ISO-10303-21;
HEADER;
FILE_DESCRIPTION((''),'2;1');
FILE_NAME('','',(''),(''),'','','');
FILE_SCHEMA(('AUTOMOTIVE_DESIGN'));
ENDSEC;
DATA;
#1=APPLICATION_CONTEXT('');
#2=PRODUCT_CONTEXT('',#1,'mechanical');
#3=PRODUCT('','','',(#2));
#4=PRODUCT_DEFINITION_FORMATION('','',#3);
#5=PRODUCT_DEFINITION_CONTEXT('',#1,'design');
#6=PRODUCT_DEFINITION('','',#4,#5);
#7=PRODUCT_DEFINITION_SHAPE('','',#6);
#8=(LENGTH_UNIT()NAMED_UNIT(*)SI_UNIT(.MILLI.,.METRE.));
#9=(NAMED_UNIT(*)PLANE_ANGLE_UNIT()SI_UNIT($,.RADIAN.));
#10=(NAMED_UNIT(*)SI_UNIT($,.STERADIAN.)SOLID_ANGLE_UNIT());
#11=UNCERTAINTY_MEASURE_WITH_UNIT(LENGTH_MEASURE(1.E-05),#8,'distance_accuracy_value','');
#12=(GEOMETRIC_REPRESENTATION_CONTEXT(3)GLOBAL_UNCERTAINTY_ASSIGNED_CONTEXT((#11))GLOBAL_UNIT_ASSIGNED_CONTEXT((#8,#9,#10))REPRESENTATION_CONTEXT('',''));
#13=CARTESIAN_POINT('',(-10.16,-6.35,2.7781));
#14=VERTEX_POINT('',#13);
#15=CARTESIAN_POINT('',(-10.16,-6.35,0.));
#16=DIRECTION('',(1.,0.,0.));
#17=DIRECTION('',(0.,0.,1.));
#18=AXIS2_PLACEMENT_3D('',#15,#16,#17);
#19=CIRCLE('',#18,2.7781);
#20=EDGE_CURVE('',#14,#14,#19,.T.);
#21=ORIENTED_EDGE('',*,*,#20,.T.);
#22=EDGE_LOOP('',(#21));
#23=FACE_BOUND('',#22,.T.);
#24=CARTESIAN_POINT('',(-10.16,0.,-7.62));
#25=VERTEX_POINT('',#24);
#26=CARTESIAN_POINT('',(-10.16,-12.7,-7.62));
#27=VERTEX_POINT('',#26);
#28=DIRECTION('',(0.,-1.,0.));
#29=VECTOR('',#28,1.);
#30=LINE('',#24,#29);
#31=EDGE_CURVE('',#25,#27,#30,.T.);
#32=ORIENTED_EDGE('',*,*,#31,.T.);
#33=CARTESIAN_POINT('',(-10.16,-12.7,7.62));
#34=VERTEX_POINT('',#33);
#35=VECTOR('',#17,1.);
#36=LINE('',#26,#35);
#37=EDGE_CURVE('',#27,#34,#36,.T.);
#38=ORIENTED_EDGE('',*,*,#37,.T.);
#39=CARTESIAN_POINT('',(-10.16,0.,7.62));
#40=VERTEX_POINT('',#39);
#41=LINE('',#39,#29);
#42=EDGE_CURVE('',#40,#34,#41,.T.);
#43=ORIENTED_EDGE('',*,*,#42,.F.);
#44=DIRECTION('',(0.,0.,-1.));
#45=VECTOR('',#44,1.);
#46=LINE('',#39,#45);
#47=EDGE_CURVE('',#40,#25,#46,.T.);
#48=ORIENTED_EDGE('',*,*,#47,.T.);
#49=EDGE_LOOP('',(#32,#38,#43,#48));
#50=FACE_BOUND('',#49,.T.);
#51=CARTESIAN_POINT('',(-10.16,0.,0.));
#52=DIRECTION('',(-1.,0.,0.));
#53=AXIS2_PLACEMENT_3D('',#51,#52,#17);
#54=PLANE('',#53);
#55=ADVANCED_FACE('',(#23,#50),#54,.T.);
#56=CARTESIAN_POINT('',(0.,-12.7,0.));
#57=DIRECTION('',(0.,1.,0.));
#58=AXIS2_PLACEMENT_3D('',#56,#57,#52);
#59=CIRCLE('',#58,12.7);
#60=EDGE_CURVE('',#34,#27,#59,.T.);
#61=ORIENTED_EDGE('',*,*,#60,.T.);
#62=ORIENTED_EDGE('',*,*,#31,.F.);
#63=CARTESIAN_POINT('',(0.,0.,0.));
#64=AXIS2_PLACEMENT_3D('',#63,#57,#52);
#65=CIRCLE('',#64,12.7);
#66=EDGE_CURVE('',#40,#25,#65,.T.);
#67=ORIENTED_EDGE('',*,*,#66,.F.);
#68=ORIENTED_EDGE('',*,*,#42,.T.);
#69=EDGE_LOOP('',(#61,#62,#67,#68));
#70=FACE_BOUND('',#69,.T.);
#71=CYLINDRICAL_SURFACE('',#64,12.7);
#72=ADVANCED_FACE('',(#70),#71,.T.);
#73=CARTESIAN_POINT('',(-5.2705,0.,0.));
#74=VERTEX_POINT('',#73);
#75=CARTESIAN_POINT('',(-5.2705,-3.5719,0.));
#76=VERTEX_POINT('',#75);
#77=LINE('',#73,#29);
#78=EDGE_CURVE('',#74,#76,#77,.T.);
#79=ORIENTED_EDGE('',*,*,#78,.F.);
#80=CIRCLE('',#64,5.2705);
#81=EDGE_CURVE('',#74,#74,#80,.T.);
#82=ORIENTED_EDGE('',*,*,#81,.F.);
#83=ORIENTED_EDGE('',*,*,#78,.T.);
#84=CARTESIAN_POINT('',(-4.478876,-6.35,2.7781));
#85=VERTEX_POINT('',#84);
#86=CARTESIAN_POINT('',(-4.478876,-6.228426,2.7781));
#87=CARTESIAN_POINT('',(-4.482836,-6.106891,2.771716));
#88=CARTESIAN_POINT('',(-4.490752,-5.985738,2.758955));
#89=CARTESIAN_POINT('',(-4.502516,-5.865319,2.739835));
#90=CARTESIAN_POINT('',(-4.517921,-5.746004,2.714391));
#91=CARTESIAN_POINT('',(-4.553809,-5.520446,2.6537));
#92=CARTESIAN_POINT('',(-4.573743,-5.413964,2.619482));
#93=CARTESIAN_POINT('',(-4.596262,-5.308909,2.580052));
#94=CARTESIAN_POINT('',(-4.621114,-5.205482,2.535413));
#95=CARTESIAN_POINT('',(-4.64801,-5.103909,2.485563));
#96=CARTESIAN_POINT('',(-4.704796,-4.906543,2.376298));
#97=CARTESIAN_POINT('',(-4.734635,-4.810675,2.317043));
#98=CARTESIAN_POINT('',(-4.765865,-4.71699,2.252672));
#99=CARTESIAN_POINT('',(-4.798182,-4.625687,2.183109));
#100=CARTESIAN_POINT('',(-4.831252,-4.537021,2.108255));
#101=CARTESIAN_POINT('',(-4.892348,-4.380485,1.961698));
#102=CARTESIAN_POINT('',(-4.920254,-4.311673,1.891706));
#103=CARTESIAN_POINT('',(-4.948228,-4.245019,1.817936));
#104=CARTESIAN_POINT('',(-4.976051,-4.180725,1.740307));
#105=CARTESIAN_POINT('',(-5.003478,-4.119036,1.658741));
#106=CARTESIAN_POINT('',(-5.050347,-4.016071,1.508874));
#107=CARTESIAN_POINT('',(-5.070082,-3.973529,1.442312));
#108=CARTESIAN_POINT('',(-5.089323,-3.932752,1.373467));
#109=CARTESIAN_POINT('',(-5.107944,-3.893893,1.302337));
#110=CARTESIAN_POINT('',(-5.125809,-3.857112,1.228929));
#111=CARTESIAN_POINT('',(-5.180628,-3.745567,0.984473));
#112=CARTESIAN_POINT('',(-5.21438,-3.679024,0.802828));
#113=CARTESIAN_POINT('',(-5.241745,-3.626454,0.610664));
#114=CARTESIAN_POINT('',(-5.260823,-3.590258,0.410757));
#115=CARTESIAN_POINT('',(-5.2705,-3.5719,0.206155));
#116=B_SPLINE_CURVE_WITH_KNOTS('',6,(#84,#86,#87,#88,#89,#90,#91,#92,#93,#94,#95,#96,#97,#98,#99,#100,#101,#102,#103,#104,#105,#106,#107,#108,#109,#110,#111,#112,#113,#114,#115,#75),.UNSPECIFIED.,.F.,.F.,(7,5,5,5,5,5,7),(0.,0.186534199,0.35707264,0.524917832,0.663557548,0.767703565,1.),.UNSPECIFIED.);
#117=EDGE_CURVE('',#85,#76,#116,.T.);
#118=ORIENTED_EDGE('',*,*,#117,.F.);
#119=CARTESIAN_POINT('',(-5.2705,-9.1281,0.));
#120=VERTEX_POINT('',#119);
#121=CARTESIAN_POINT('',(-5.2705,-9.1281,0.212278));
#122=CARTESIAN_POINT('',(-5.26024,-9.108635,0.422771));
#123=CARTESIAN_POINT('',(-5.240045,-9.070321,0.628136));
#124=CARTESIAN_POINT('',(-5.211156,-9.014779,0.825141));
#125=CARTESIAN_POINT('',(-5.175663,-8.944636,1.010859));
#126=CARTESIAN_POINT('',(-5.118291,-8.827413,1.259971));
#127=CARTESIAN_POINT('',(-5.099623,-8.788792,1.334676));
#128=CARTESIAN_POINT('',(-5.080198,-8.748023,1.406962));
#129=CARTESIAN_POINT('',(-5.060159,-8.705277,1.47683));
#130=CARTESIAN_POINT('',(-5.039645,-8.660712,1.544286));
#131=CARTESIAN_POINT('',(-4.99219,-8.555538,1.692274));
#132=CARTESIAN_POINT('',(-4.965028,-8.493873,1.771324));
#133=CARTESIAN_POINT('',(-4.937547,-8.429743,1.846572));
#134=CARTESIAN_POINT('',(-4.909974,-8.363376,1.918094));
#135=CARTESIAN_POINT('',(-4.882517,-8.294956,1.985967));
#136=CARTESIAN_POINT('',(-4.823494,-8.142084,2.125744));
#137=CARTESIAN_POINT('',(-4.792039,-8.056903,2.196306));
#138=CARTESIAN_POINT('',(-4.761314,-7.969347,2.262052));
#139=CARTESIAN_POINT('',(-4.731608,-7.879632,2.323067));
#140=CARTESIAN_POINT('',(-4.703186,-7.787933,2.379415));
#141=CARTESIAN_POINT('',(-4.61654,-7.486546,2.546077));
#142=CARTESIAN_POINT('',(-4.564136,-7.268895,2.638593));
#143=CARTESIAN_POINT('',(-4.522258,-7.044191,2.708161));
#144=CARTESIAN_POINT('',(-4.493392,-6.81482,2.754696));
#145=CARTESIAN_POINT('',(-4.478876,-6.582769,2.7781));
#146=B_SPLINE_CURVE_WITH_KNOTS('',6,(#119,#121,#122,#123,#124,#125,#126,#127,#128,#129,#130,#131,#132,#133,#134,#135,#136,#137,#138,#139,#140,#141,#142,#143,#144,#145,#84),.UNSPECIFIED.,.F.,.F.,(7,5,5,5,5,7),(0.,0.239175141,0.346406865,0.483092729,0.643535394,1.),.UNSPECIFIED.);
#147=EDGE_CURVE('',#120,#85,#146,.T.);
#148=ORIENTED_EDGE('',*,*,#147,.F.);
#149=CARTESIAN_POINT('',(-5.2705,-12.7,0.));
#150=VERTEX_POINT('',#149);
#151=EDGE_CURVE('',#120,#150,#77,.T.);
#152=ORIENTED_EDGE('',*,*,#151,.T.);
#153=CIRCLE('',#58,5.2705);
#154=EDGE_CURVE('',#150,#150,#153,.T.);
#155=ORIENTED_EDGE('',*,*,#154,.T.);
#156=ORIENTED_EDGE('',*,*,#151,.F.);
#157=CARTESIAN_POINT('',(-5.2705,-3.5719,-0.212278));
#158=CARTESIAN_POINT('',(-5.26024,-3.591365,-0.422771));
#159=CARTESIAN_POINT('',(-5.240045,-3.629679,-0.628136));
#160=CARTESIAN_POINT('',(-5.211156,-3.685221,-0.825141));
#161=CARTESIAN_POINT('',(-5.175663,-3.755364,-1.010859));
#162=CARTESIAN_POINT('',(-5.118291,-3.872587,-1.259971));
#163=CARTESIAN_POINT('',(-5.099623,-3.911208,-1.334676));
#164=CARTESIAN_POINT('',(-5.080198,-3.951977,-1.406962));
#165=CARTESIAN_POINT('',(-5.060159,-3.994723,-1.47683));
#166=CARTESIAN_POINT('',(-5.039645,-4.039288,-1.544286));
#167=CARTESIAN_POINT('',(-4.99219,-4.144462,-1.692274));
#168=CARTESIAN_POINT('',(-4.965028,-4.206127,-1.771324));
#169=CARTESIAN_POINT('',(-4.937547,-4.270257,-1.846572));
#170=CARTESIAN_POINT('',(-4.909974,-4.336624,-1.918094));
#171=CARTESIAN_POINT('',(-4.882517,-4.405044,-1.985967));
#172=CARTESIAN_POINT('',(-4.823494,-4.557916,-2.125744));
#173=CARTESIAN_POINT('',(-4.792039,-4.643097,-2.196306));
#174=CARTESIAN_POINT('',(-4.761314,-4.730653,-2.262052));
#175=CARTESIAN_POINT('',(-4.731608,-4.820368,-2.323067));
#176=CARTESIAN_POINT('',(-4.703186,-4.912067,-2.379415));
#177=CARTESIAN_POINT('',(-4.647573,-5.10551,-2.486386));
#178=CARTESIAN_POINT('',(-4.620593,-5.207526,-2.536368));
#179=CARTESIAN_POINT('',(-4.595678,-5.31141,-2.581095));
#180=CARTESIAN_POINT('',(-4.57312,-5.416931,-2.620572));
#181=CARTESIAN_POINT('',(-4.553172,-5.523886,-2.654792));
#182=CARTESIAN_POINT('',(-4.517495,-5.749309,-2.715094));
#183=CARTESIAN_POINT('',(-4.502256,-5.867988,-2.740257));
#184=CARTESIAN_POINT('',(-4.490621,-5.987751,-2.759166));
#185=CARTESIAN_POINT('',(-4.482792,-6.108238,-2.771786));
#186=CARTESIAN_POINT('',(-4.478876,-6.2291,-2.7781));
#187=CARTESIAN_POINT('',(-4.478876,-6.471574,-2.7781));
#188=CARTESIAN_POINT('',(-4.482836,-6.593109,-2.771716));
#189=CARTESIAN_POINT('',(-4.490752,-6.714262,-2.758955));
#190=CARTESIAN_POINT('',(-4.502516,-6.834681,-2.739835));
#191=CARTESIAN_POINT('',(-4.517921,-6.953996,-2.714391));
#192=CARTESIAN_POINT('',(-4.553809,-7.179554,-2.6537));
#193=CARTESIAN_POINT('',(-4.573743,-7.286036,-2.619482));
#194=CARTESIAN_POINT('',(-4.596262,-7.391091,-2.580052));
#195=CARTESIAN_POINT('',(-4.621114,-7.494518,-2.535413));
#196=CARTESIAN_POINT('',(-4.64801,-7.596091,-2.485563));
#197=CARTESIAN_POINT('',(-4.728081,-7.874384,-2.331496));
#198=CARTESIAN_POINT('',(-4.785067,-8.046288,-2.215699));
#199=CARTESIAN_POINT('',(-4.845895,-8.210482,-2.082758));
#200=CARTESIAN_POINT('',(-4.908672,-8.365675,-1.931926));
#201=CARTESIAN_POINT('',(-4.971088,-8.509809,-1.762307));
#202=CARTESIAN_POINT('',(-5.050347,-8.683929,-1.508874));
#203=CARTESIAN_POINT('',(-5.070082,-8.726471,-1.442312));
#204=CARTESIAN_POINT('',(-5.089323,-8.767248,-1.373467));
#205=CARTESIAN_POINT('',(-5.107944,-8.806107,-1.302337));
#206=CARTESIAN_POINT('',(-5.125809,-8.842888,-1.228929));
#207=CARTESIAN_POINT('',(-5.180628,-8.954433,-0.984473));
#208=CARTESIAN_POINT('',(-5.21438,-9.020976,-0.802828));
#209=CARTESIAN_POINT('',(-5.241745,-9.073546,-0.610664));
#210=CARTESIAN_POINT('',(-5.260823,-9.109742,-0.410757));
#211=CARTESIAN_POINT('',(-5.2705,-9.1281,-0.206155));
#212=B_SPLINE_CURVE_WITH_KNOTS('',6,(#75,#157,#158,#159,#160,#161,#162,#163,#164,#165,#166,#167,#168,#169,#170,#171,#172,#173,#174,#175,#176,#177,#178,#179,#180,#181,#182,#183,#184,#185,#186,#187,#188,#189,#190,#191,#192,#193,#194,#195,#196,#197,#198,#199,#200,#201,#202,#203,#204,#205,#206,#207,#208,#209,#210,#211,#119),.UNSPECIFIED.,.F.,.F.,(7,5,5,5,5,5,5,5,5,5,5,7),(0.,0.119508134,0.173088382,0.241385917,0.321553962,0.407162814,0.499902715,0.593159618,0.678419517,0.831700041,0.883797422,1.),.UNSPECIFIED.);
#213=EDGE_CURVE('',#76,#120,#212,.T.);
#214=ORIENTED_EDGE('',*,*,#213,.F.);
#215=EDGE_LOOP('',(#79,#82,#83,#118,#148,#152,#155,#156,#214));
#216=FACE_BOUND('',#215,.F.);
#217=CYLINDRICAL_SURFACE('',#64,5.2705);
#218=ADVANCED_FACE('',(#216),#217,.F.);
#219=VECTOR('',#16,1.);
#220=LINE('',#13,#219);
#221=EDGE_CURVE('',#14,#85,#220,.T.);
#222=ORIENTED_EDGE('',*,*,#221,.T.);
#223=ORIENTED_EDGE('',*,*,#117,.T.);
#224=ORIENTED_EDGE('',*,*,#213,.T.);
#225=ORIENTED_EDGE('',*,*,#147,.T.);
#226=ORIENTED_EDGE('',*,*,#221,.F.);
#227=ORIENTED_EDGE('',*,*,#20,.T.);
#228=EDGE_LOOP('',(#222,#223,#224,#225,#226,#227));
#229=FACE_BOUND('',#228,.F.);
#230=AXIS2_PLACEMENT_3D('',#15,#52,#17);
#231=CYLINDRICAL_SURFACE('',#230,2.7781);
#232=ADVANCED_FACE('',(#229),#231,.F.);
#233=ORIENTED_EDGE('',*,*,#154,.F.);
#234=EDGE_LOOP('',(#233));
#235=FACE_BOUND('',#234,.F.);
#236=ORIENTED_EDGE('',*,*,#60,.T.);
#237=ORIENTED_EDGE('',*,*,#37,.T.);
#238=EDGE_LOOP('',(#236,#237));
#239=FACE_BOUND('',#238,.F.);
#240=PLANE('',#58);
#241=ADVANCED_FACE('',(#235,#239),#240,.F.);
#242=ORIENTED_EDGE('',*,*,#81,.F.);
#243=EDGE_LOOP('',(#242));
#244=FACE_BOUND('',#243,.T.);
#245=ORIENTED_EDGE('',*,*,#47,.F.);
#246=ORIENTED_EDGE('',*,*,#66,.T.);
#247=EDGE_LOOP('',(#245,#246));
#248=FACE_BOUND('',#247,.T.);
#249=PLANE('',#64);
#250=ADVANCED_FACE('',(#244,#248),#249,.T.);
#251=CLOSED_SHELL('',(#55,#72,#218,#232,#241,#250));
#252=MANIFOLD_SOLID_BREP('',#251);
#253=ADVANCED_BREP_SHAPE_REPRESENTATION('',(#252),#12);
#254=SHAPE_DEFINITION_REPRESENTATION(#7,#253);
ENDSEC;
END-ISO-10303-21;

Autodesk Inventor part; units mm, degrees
ref_plane "YZ Plane" through (0, 0, 0) normal (1, 0, 0) x (0, 1, 0)
ref_plane "XZ Plane" through (0, 0, 0) normal (0, 1, 0) x (-1, 0, 0)
ref_plane "XY Plane" through (0, 0, 0) normal (0, 0, 1) x (1, 0, 0)
sketch "Sketch1" plane through (0, 0, 0) normal (0, 1, 0) x (-1, 0, 0)
  circle A0 centre (0, 0) radius 12.7
  circle A1 centre (0, 0) radius 5.2705
  line L0 (12.7, 0) -> (10.16, 0)
  line L1 (10.16, 0) -> (10.16, 7.62)
  line L2 (10.16, 0) -> (10.16, -7.62)
  dimension "d0" = 25.4
  dimension "d1" = 10.541
  dimension "d4" = 2.54
extrude "Extrusion1" add sketch "Sketch1" against normal blind 12.7 contours L1 L2 A0
sketch "Sketch2" plane through (-10.16, 0, -7.62) normal (-1, 0, 0) x (0, 0, 1)
  circle A0 centre (7.62, -6.35) radius 2.7781
  point P0 (7.62, 0)
  dimension "d5" = 5.5563
extrude "Extrusion2" cut sketch "Sketch2" against normal blind 12.7
properties part number "collar"
